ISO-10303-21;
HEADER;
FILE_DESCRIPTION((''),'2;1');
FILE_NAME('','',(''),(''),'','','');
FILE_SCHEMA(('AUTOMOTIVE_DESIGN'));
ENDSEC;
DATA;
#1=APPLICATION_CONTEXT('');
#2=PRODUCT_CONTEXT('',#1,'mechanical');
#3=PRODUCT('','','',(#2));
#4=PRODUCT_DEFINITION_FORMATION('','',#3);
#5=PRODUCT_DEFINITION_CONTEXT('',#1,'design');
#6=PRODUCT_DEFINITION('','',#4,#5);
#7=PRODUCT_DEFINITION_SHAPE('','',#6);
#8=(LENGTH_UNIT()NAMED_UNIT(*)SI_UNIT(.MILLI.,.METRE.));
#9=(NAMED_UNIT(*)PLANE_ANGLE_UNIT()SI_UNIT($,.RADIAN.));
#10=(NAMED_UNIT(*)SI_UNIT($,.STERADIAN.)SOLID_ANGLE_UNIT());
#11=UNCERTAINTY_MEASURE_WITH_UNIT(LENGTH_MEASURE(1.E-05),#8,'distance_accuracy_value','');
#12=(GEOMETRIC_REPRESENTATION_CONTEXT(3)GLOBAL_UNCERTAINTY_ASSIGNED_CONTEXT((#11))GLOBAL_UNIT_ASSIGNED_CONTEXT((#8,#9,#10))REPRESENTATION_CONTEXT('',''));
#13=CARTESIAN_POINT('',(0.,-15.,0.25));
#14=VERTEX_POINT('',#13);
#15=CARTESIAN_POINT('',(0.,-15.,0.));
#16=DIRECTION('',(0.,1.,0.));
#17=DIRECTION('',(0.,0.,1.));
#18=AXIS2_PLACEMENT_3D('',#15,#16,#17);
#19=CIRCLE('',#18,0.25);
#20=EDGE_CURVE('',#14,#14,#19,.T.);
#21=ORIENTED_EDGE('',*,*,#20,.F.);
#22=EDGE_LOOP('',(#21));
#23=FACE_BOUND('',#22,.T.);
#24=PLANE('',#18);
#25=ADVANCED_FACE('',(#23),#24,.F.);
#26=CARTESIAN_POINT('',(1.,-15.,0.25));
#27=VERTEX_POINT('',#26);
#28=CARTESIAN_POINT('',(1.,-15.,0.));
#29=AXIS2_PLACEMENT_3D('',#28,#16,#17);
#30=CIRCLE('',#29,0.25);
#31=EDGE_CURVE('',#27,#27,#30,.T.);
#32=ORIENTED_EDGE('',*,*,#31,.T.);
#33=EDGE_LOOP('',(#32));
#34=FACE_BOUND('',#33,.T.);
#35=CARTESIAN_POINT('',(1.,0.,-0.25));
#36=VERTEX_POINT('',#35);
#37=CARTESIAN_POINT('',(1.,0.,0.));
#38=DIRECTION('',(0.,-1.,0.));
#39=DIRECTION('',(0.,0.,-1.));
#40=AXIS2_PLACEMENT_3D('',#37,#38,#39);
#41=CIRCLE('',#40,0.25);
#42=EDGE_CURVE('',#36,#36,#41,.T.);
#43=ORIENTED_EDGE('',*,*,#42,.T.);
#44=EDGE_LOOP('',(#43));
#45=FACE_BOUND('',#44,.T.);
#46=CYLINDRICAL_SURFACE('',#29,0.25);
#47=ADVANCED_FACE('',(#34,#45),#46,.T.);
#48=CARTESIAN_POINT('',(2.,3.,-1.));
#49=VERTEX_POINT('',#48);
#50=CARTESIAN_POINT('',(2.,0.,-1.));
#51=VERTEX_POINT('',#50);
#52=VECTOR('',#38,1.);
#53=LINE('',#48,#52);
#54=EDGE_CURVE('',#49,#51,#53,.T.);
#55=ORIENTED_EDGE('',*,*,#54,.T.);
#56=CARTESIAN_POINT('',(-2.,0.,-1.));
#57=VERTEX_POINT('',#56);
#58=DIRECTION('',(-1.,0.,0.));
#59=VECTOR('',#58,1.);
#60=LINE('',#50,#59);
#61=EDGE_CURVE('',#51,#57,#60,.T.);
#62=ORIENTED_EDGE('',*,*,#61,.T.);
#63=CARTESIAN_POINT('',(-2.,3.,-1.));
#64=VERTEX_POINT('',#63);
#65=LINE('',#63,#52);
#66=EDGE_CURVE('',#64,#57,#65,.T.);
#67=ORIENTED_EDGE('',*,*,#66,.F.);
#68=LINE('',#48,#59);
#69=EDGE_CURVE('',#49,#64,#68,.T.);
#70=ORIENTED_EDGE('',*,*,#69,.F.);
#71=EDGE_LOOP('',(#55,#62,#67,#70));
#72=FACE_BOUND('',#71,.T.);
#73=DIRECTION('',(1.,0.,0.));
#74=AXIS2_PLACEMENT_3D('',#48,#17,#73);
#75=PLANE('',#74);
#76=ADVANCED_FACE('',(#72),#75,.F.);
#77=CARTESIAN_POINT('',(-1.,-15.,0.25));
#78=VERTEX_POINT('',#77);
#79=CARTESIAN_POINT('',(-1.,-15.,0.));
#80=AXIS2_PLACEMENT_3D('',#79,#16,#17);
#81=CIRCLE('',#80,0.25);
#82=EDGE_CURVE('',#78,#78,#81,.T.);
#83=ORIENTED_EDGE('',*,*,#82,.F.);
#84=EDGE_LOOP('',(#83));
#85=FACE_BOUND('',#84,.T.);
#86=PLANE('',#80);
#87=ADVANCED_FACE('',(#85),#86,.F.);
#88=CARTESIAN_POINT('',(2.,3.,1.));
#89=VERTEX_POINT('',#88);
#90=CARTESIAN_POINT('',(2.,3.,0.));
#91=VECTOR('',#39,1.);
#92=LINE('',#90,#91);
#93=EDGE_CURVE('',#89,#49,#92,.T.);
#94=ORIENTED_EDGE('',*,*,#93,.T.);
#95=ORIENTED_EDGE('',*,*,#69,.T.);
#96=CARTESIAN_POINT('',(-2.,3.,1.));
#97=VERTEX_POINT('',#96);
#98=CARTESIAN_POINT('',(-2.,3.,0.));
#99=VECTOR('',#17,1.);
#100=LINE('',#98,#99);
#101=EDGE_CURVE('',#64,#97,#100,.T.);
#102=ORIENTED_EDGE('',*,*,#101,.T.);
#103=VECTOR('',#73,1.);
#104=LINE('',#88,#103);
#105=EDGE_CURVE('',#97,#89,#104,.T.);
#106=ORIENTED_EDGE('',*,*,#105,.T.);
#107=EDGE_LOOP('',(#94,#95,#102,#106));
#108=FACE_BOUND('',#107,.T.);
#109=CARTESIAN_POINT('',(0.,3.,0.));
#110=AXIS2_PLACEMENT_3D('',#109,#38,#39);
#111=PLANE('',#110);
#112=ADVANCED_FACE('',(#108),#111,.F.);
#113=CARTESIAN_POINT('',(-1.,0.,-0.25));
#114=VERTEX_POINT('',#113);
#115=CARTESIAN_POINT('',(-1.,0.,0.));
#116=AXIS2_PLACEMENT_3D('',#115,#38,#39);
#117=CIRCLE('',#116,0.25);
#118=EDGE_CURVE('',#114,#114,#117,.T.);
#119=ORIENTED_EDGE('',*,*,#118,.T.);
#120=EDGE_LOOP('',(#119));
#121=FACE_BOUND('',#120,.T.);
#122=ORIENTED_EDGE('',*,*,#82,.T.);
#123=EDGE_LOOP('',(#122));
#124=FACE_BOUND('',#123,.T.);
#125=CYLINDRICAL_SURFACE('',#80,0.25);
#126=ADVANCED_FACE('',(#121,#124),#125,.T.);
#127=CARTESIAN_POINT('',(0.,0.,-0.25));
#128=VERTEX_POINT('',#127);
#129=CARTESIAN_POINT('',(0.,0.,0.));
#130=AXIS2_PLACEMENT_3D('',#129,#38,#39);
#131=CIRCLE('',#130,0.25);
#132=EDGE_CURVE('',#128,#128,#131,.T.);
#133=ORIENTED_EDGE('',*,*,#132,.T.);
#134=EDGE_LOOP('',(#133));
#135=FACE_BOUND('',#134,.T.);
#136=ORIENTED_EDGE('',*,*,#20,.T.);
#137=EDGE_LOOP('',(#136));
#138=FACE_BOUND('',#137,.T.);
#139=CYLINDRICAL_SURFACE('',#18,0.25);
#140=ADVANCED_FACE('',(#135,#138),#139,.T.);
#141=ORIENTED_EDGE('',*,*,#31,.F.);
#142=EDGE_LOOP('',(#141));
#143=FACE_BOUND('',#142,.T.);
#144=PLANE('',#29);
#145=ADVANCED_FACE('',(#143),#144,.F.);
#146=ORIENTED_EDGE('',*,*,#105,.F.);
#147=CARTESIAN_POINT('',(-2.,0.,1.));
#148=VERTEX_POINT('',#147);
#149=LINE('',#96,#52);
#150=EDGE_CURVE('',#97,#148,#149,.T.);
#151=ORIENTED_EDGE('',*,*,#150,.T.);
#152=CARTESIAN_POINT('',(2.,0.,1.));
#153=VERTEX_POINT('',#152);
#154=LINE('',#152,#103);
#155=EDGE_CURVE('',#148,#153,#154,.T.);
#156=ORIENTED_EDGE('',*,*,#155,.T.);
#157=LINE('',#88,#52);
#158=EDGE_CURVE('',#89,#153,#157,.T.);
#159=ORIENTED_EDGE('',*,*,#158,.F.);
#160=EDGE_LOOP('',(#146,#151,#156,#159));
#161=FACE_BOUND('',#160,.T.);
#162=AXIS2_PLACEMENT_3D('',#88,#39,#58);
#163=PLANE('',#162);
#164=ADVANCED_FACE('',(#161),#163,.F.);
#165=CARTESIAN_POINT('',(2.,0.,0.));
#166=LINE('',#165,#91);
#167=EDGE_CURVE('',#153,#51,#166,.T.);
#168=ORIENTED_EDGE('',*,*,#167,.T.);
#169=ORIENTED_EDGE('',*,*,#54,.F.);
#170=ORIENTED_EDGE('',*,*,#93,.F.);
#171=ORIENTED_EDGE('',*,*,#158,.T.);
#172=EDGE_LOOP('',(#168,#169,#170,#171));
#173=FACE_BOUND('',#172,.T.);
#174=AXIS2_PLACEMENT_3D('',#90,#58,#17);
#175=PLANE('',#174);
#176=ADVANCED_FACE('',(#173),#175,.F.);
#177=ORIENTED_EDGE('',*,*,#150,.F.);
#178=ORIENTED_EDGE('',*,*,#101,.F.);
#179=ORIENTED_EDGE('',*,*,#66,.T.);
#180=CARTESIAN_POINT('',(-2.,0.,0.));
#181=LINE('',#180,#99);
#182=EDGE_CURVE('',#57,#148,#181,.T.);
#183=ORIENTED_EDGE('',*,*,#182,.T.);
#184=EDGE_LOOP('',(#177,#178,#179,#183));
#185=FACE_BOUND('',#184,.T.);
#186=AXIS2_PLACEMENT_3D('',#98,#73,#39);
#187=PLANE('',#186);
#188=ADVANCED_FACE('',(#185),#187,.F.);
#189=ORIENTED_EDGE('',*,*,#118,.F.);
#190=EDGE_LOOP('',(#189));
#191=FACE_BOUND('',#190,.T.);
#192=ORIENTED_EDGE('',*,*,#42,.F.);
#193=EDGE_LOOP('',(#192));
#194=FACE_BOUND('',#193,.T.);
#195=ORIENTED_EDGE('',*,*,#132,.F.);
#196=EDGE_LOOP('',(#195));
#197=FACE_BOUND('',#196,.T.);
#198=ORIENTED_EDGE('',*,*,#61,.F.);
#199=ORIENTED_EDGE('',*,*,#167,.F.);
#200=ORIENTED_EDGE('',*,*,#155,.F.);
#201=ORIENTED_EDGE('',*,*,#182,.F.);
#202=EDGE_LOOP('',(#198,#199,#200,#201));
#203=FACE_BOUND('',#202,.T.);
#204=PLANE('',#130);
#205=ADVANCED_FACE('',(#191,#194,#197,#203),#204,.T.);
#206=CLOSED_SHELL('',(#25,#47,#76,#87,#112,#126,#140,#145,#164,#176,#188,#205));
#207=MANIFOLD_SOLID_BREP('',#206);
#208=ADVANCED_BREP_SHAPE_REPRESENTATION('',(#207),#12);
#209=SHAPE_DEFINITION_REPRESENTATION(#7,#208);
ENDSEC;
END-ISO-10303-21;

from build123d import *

# Parameters (mm, degrees)
HEAD_DEPTH = 3
SKETCH3_R  = 0.25
PINS_DEPTH = 15


with BuildPart() as part:
    # Sketch2 → Head (new body)
    with BuildSketch(Plane(origin=(0, 0, 0), x_dir=(1, 0, 0), z_dir=(0, 1, 0))):
        Polygon((-2, 0), (-2, 1), (2, 1), (2, 0), (2, -1), (-2, -1), align=None)
    extrude(amount=HEAD_DEPTH)

    # Sketch3 → Pins (add)
    with BuildSketch(Plane(origin=(0, 0, 0), x_dir=(1, 0, 0), z_dir=(0, 1, 0))):
        with Locations(Location((0, 0, 0), (0, 0, 270))):
            Circle(SKETCH3_R)
        with Locations(Location((-1, 0, 0), (0, 0, 270))):
            Circle(SKETCH3_R)
        with Locations(Location((1, 0, 0), (0, 0, 270))):
            Circle(SKETCH3_R)
    extrude(amount=-PINS_DEPTH)


solid = part.part
